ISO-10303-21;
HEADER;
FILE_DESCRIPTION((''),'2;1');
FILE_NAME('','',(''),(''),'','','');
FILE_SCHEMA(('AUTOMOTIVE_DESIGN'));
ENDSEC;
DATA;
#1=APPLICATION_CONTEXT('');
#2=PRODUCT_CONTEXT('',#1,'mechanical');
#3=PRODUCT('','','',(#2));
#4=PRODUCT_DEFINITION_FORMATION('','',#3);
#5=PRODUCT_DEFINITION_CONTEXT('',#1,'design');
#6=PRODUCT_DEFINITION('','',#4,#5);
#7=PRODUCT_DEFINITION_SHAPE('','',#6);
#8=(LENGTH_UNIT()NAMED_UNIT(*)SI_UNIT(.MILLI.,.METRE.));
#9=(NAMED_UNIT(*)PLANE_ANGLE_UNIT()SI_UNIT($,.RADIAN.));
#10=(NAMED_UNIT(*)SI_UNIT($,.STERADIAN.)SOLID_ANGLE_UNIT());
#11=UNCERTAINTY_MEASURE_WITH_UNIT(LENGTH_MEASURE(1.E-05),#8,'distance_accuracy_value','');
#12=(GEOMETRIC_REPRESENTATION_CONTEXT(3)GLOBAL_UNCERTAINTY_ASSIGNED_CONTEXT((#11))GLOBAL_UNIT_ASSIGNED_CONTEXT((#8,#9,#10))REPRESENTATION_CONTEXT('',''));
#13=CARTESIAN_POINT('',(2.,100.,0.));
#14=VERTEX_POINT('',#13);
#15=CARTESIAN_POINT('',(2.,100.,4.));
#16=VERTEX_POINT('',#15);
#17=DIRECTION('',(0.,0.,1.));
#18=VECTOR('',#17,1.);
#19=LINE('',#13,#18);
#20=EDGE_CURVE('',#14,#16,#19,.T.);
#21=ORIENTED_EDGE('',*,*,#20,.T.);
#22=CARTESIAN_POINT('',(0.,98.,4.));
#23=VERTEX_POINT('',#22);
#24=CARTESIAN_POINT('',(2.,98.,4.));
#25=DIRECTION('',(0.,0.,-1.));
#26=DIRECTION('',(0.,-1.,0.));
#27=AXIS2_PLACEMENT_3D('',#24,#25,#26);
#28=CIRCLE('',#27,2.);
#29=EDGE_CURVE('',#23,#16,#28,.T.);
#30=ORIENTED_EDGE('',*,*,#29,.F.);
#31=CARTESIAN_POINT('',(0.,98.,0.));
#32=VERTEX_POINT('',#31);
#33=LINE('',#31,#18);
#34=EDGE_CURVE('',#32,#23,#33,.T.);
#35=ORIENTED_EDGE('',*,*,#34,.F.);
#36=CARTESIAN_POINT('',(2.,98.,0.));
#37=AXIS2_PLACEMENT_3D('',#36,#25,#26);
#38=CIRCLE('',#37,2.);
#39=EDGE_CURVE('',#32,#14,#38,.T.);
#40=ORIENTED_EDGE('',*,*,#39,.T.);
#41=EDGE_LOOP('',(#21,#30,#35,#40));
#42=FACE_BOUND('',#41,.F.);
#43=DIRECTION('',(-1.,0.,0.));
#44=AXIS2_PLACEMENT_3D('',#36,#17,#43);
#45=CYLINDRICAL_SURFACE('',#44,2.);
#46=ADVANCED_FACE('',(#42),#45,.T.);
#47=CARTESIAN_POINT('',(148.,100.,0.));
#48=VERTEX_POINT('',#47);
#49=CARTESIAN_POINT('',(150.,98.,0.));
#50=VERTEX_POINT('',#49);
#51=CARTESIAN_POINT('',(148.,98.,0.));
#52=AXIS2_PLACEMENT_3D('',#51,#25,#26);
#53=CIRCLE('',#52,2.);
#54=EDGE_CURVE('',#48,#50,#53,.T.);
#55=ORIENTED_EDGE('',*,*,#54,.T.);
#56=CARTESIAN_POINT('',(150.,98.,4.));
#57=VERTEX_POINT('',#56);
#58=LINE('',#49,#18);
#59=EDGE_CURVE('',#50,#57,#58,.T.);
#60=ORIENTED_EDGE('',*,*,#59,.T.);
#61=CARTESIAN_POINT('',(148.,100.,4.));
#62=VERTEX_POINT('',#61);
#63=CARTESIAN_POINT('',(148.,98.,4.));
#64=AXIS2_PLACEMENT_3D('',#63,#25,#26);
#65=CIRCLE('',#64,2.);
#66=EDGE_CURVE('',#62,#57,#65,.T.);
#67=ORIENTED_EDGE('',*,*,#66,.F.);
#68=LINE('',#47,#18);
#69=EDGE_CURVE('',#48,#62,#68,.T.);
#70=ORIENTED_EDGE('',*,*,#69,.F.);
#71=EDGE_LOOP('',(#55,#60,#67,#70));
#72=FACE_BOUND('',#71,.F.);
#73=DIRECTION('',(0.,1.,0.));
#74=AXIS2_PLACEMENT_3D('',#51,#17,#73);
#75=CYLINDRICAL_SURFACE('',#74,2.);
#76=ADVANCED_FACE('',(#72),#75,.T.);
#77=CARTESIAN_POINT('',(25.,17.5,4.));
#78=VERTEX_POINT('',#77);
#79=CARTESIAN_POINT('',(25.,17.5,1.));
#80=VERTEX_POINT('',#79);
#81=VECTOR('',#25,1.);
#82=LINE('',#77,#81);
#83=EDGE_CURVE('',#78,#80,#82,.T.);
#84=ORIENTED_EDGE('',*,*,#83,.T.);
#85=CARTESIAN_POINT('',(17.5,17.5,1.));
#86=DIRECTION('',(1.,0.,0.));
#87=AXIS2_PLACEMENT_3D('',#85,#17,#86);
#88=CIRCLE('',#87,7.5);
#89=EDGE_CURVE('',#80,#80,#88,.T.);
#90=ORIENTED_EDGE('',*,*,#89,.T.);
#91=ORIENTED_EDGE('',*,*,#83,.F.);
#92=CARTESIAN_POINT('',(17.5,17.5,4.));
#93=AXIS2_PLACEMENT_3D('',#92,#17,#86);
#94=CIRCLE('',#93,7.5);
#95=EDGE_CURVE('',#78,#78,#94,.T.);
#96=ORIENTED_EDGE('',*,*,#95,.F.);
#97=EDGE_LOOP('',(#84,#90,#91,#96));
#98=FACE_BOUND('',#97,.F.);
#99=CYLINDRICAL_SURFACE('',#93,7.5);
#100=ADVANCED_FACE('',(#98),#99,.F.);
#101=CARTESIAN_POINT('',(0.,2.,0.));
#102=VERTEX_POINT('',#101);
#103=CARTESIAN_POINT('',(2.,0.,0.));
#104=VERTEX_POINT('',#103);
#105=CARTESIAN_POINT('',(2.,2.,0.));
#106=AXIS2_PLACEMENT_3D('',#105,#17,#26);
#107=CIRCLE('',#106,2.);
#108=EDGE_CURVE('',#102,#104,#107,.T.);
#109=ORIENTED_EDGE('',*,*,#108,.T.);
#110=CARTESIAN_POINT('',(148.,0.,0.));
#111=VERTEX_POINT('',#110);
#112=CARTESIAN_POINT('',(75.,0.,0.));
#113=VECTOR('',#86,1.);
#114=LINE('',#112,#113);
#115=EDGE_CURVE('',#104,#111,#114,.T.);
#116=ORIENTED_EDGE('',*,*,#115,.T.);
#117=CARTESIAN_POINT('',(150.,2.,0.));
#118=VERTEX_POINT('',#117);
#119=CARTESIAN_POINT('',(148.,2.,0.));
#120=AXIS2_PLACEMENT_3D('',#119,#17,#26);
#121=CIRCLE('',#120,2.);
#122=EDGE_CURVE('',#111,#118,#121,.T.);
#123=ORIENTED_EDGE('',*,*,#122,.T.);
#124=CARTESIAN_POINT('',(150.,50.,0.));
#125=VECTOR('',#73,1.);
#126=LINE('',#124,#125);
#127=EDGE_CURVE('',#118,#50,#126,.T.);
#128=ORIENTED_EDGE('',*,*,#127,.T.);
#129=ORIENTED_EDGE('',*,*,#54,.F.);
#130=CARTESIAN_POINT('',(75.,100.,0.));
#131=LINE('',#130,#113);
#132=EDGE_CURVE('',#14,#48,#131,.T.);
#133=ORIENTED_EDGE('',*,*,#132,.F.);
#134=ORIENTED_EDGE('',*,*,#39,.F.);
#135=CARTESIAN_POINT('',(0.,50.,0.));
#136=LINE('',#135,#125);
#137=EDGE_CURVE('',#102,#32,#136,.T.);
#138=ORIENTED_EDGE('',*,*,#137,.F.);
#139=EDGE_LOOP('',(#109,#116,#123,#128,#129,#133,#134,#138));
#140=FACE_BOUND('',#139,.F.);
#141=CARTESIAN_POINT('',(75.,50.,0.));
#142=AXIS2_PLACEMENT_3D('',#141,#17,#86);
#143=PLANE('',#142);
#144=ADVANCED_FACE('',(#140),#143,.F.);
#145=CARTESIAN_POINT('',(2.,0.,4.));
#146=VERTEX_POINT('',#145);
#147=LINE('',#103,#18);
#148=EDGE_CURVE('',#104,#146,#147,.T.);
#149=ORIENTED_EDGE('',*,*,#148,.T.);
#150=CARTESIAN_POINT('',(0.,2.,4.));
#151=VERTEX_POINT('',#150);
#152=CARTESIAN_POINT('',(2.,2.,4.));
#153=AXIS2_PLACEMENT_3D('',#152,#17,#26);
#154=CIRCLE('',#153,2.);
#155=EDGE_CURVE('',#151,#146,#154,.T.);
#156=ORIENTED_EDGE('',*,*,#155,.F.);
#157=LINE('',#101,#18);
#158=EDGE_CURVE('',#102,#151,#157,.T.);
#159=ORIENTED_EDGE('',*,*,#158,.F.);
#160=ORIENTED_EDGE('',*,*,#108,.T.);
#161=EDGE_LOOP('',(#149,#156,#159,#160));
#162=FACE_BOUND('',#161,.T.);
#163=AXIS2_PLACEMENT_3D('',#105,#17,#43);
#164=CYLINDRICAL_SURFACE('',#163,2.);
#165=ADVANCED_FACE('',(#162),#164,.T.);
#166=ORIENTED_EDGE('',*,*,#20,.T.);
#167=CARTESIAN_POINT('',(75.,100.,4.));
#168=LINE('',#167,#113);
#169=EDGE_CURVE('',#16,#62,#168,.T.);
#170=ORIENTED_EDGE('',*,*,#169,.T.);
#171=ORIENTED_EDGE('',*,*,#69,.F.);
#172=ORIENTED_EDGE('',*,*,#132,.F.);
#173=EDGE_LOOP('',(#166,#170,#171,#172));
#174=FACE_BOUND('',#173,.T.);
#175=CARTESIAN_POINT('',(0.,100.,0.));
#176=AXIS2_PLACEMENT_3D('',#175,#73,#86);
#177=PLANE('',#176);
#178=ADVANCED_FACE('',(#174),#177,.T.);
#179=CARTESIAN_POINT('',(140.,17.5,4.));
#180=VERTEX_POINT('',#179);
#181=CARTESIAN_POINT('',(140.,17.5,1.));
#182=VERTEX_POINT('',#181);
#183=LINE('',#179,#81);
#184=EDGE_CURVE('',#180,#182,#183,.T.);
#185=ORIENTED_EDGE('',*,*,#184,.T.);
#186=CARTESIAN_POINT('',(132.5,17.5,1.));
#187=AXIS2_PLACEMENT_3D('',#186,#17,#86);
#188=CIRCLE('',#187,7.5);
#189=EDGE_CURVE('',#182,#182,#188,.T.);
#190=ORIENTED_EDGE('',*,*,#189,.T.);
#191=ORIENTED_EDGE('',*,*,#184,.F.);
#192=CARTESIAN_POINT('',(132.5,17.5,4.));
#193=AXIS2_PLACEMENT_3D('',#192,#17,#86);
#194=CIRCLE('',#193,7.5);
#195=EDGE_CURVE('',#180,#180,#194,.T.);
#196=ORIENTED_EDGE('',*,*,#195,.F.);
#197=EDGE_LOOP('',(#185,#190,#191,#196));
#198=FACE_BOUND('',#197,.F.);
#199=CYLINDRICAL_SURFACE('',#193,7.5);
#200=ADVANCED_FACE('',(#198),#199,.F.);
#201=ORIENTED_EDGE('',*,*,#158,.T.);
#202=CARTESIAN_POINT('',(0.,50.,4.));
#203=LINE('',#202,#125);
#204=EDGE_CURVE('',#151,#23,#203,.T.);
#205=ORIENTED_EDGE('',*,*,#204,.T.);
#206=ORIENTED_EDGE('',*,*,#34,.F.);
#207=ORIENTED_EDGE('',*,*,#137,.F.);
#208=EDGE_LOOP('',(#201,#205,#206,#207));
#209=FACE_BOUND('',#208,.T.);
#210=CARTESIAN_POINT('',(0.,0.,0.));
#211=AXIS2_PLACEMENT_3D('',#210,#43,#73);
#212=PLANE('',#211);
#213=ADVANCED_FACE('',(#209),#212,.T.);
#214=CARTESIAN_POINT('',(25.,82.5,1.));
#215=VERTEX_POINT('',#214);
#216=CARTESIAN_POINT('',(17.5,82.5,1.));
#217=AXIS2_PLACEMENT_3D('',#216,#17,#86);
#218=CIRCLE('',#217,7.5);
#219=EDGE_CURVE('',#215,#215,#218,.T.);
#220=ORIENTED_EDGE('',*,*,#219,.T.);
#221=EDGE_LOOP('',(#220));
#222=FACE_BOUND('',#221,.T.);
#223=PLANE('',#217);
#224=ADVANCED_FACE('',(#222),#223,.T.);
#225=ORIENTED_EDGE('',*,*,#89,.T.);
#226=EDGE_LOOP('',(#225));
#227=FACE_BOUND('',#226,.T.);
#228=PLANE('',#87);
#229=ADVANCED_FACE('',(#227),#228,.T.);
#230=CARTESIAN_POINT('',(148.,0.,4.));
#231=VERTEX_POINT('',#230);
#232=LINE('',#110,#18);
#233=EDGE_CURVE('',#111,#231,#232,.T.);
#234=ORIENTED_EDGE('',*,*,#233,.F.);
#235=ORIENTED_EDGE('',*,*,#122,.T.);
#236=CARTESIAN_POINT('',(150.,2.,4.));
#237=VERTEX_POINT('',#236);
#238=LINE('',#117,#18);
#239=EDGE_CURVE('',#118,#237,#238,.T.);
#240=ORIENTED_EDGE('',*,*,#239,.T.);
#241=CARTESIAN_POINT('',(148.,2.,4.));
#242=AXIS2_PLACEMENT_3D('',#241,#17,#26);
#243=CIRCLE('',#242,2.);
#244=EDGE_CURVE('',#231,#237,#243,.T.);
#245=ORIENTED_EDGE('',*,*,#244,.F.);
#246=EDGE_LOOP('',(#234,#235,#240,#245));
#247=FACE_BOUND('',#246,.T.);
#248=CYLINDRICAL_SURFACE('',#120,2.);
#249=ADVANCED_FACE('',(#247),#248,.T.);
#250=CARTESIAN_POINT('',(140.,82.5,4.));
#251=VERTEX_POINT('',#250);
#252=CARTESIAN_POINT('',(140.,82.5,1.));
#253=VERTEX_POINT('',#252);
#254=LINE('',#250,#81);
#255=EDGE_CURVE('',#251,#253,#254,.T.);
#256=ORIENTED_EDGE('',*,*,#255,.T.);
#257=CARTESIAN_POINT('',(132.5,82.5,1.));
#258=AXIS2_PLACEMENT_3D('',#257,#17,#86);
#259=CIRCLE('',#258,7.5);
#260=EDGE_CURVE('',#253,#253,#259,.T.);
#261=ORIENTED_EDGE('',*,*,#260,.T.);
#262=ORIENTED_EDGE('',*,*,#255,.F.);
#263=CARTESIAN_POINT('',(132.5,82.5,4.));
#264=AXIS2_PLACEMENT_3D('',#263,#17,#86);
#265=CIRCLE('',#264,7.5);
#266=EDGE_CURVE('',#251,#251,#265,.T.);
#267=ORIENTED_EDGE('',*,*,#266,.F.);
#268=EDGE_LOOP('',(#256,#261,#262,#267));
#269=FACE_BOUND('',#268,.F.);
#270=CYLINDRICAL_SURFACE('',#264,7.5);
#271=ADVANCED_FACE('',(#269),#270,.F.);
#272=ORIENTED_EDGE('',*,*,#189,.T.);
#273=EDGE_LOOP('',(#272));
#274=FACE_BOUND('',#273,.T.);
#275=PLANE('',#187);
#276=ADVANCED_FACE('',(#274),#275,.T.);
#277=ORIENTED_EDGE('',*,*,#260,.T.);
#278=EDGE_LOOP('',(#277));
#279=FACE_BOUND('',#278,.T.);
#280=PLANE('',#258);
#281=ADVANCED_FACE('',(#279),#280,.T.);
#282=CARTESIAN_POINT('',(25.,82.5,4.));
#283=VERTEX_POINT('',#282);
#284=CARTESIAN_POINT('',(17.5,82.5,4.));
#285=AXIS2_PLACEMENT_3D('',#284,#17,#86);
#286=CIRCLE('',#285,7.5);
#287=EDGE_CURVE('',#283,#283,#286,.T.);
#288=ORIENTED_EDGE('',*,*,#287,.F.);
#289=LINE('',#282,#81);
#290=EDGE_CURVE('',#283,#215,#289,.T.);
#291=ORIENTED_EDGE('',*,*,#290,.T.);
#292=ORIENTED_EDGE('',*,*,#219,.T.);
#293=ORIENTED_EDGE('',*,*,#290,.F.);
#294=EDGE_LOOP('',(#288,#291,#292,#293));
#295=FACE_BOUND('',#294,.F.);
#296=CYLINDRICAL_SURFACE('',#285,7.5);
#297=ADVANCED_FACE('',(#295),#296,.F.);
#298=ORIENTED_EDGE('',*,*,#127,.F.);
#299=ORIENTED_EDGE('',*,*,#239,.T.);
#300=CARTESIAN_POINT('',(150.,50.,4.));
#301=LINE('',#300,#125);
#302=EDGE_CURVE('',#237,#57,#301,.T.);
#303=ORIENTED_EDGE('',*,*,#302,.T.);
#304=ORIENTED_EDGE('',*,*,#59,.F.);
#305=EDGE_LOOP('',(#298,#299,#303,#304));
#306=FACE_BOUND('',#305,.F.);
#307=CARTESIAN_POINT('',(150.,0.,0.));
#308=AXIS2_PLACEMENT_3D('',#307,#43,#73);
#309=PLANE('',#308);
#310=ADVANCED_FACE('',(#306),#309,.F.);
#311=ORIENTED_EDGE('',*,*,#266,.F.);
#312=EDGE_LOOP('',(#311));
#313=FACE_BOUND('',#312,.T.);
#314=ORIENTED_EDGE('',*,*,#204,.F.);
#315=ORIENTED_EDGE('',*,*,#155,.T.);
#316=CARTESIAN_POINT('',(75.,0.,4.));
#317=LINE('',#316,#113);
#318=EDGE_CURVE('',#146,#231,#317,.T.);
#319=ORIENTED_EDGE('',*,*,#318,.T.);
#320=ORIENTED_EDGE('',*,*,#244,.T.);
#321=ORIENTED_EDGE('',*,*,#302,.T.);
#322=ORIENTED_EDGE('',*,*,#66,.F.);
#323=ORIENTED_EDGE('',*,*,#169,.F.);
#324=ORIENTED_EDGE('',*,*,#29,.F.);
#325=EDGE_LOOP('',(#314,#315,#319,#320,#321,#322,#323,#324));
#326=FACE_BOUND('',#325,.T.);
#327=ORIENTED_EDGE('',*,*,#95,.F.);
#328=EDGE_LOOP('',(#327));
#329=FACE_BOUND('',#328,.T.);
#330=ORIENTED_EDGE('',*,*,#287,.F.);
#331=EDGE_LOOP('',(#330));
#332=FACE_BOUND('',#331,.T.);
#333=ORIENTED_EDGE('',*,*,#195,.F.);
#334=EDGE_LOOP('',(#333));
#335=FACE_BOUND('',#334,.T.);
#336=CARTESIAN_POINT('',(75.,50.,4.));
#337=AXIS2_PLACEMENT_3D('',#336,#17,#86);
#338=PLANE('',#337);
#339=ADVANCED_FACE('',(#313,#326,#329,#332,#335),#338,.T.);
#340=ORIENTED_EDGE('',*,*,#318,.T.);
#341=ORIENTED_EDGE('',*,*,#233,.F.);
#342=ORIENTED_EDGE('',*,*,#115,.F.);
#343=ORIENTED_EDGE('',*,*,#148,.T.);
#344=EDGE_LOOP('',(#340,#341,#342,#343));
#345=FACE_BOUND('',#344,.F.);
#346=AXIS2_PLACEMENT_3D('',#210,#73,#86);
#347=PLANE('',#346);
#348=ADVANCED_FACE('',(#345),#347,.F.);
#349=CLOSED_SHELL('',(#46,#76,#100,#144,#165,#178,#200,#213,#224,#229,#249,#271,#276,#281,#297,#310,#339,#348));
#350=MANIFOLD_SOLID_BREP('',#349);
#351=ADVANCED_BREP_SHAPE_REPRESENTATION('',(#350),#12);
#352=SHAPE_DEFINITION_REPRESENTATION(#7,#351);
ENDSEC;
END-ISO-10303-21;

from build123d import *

# Parameters (mm, degrees)
F0_W     = 150
F0_H     = 100
F1_DEPTH = 4
F2_R     = 7.5
F3_DEPTH = 3
F4_R     = 2


with BuildPart() as f1:
    # F0 (on Top) → F1 (new body)
    with BuildSketch(Plane.XY):
        with Locations((75, 50)):
            Rectangle(F0_W, F0_H)
    extrude(amount=F1_DEPTH)

    # F2 (on face) → F3 (cut)
    with BuildSketch(Plane.XY.offset(4)):
        with Locations((17.5, 82.5)):
            Circle(F2_R)
        with Locations((132.5, 82.5)):
            Circle(F2_R)
        with Locations((132.5, 17.5)):
            Circle(F2_R)
        with Locations((17.5, 17.5)):
            Circle(F2_R)
    extrude(amount=-F3_DEPTH, mode=Mode.SUBTRACT)

    # F4
    f4_edges = [f1.edges().sort_by_distance(p)[0] for p in [
        (0, 0, 2),
        (0, 100, 2),
        (150, 100, 2),
        (150, 0, 2),
    ]]
    fillet(f4_edges, radius=F4_R)


solid = f1.part
